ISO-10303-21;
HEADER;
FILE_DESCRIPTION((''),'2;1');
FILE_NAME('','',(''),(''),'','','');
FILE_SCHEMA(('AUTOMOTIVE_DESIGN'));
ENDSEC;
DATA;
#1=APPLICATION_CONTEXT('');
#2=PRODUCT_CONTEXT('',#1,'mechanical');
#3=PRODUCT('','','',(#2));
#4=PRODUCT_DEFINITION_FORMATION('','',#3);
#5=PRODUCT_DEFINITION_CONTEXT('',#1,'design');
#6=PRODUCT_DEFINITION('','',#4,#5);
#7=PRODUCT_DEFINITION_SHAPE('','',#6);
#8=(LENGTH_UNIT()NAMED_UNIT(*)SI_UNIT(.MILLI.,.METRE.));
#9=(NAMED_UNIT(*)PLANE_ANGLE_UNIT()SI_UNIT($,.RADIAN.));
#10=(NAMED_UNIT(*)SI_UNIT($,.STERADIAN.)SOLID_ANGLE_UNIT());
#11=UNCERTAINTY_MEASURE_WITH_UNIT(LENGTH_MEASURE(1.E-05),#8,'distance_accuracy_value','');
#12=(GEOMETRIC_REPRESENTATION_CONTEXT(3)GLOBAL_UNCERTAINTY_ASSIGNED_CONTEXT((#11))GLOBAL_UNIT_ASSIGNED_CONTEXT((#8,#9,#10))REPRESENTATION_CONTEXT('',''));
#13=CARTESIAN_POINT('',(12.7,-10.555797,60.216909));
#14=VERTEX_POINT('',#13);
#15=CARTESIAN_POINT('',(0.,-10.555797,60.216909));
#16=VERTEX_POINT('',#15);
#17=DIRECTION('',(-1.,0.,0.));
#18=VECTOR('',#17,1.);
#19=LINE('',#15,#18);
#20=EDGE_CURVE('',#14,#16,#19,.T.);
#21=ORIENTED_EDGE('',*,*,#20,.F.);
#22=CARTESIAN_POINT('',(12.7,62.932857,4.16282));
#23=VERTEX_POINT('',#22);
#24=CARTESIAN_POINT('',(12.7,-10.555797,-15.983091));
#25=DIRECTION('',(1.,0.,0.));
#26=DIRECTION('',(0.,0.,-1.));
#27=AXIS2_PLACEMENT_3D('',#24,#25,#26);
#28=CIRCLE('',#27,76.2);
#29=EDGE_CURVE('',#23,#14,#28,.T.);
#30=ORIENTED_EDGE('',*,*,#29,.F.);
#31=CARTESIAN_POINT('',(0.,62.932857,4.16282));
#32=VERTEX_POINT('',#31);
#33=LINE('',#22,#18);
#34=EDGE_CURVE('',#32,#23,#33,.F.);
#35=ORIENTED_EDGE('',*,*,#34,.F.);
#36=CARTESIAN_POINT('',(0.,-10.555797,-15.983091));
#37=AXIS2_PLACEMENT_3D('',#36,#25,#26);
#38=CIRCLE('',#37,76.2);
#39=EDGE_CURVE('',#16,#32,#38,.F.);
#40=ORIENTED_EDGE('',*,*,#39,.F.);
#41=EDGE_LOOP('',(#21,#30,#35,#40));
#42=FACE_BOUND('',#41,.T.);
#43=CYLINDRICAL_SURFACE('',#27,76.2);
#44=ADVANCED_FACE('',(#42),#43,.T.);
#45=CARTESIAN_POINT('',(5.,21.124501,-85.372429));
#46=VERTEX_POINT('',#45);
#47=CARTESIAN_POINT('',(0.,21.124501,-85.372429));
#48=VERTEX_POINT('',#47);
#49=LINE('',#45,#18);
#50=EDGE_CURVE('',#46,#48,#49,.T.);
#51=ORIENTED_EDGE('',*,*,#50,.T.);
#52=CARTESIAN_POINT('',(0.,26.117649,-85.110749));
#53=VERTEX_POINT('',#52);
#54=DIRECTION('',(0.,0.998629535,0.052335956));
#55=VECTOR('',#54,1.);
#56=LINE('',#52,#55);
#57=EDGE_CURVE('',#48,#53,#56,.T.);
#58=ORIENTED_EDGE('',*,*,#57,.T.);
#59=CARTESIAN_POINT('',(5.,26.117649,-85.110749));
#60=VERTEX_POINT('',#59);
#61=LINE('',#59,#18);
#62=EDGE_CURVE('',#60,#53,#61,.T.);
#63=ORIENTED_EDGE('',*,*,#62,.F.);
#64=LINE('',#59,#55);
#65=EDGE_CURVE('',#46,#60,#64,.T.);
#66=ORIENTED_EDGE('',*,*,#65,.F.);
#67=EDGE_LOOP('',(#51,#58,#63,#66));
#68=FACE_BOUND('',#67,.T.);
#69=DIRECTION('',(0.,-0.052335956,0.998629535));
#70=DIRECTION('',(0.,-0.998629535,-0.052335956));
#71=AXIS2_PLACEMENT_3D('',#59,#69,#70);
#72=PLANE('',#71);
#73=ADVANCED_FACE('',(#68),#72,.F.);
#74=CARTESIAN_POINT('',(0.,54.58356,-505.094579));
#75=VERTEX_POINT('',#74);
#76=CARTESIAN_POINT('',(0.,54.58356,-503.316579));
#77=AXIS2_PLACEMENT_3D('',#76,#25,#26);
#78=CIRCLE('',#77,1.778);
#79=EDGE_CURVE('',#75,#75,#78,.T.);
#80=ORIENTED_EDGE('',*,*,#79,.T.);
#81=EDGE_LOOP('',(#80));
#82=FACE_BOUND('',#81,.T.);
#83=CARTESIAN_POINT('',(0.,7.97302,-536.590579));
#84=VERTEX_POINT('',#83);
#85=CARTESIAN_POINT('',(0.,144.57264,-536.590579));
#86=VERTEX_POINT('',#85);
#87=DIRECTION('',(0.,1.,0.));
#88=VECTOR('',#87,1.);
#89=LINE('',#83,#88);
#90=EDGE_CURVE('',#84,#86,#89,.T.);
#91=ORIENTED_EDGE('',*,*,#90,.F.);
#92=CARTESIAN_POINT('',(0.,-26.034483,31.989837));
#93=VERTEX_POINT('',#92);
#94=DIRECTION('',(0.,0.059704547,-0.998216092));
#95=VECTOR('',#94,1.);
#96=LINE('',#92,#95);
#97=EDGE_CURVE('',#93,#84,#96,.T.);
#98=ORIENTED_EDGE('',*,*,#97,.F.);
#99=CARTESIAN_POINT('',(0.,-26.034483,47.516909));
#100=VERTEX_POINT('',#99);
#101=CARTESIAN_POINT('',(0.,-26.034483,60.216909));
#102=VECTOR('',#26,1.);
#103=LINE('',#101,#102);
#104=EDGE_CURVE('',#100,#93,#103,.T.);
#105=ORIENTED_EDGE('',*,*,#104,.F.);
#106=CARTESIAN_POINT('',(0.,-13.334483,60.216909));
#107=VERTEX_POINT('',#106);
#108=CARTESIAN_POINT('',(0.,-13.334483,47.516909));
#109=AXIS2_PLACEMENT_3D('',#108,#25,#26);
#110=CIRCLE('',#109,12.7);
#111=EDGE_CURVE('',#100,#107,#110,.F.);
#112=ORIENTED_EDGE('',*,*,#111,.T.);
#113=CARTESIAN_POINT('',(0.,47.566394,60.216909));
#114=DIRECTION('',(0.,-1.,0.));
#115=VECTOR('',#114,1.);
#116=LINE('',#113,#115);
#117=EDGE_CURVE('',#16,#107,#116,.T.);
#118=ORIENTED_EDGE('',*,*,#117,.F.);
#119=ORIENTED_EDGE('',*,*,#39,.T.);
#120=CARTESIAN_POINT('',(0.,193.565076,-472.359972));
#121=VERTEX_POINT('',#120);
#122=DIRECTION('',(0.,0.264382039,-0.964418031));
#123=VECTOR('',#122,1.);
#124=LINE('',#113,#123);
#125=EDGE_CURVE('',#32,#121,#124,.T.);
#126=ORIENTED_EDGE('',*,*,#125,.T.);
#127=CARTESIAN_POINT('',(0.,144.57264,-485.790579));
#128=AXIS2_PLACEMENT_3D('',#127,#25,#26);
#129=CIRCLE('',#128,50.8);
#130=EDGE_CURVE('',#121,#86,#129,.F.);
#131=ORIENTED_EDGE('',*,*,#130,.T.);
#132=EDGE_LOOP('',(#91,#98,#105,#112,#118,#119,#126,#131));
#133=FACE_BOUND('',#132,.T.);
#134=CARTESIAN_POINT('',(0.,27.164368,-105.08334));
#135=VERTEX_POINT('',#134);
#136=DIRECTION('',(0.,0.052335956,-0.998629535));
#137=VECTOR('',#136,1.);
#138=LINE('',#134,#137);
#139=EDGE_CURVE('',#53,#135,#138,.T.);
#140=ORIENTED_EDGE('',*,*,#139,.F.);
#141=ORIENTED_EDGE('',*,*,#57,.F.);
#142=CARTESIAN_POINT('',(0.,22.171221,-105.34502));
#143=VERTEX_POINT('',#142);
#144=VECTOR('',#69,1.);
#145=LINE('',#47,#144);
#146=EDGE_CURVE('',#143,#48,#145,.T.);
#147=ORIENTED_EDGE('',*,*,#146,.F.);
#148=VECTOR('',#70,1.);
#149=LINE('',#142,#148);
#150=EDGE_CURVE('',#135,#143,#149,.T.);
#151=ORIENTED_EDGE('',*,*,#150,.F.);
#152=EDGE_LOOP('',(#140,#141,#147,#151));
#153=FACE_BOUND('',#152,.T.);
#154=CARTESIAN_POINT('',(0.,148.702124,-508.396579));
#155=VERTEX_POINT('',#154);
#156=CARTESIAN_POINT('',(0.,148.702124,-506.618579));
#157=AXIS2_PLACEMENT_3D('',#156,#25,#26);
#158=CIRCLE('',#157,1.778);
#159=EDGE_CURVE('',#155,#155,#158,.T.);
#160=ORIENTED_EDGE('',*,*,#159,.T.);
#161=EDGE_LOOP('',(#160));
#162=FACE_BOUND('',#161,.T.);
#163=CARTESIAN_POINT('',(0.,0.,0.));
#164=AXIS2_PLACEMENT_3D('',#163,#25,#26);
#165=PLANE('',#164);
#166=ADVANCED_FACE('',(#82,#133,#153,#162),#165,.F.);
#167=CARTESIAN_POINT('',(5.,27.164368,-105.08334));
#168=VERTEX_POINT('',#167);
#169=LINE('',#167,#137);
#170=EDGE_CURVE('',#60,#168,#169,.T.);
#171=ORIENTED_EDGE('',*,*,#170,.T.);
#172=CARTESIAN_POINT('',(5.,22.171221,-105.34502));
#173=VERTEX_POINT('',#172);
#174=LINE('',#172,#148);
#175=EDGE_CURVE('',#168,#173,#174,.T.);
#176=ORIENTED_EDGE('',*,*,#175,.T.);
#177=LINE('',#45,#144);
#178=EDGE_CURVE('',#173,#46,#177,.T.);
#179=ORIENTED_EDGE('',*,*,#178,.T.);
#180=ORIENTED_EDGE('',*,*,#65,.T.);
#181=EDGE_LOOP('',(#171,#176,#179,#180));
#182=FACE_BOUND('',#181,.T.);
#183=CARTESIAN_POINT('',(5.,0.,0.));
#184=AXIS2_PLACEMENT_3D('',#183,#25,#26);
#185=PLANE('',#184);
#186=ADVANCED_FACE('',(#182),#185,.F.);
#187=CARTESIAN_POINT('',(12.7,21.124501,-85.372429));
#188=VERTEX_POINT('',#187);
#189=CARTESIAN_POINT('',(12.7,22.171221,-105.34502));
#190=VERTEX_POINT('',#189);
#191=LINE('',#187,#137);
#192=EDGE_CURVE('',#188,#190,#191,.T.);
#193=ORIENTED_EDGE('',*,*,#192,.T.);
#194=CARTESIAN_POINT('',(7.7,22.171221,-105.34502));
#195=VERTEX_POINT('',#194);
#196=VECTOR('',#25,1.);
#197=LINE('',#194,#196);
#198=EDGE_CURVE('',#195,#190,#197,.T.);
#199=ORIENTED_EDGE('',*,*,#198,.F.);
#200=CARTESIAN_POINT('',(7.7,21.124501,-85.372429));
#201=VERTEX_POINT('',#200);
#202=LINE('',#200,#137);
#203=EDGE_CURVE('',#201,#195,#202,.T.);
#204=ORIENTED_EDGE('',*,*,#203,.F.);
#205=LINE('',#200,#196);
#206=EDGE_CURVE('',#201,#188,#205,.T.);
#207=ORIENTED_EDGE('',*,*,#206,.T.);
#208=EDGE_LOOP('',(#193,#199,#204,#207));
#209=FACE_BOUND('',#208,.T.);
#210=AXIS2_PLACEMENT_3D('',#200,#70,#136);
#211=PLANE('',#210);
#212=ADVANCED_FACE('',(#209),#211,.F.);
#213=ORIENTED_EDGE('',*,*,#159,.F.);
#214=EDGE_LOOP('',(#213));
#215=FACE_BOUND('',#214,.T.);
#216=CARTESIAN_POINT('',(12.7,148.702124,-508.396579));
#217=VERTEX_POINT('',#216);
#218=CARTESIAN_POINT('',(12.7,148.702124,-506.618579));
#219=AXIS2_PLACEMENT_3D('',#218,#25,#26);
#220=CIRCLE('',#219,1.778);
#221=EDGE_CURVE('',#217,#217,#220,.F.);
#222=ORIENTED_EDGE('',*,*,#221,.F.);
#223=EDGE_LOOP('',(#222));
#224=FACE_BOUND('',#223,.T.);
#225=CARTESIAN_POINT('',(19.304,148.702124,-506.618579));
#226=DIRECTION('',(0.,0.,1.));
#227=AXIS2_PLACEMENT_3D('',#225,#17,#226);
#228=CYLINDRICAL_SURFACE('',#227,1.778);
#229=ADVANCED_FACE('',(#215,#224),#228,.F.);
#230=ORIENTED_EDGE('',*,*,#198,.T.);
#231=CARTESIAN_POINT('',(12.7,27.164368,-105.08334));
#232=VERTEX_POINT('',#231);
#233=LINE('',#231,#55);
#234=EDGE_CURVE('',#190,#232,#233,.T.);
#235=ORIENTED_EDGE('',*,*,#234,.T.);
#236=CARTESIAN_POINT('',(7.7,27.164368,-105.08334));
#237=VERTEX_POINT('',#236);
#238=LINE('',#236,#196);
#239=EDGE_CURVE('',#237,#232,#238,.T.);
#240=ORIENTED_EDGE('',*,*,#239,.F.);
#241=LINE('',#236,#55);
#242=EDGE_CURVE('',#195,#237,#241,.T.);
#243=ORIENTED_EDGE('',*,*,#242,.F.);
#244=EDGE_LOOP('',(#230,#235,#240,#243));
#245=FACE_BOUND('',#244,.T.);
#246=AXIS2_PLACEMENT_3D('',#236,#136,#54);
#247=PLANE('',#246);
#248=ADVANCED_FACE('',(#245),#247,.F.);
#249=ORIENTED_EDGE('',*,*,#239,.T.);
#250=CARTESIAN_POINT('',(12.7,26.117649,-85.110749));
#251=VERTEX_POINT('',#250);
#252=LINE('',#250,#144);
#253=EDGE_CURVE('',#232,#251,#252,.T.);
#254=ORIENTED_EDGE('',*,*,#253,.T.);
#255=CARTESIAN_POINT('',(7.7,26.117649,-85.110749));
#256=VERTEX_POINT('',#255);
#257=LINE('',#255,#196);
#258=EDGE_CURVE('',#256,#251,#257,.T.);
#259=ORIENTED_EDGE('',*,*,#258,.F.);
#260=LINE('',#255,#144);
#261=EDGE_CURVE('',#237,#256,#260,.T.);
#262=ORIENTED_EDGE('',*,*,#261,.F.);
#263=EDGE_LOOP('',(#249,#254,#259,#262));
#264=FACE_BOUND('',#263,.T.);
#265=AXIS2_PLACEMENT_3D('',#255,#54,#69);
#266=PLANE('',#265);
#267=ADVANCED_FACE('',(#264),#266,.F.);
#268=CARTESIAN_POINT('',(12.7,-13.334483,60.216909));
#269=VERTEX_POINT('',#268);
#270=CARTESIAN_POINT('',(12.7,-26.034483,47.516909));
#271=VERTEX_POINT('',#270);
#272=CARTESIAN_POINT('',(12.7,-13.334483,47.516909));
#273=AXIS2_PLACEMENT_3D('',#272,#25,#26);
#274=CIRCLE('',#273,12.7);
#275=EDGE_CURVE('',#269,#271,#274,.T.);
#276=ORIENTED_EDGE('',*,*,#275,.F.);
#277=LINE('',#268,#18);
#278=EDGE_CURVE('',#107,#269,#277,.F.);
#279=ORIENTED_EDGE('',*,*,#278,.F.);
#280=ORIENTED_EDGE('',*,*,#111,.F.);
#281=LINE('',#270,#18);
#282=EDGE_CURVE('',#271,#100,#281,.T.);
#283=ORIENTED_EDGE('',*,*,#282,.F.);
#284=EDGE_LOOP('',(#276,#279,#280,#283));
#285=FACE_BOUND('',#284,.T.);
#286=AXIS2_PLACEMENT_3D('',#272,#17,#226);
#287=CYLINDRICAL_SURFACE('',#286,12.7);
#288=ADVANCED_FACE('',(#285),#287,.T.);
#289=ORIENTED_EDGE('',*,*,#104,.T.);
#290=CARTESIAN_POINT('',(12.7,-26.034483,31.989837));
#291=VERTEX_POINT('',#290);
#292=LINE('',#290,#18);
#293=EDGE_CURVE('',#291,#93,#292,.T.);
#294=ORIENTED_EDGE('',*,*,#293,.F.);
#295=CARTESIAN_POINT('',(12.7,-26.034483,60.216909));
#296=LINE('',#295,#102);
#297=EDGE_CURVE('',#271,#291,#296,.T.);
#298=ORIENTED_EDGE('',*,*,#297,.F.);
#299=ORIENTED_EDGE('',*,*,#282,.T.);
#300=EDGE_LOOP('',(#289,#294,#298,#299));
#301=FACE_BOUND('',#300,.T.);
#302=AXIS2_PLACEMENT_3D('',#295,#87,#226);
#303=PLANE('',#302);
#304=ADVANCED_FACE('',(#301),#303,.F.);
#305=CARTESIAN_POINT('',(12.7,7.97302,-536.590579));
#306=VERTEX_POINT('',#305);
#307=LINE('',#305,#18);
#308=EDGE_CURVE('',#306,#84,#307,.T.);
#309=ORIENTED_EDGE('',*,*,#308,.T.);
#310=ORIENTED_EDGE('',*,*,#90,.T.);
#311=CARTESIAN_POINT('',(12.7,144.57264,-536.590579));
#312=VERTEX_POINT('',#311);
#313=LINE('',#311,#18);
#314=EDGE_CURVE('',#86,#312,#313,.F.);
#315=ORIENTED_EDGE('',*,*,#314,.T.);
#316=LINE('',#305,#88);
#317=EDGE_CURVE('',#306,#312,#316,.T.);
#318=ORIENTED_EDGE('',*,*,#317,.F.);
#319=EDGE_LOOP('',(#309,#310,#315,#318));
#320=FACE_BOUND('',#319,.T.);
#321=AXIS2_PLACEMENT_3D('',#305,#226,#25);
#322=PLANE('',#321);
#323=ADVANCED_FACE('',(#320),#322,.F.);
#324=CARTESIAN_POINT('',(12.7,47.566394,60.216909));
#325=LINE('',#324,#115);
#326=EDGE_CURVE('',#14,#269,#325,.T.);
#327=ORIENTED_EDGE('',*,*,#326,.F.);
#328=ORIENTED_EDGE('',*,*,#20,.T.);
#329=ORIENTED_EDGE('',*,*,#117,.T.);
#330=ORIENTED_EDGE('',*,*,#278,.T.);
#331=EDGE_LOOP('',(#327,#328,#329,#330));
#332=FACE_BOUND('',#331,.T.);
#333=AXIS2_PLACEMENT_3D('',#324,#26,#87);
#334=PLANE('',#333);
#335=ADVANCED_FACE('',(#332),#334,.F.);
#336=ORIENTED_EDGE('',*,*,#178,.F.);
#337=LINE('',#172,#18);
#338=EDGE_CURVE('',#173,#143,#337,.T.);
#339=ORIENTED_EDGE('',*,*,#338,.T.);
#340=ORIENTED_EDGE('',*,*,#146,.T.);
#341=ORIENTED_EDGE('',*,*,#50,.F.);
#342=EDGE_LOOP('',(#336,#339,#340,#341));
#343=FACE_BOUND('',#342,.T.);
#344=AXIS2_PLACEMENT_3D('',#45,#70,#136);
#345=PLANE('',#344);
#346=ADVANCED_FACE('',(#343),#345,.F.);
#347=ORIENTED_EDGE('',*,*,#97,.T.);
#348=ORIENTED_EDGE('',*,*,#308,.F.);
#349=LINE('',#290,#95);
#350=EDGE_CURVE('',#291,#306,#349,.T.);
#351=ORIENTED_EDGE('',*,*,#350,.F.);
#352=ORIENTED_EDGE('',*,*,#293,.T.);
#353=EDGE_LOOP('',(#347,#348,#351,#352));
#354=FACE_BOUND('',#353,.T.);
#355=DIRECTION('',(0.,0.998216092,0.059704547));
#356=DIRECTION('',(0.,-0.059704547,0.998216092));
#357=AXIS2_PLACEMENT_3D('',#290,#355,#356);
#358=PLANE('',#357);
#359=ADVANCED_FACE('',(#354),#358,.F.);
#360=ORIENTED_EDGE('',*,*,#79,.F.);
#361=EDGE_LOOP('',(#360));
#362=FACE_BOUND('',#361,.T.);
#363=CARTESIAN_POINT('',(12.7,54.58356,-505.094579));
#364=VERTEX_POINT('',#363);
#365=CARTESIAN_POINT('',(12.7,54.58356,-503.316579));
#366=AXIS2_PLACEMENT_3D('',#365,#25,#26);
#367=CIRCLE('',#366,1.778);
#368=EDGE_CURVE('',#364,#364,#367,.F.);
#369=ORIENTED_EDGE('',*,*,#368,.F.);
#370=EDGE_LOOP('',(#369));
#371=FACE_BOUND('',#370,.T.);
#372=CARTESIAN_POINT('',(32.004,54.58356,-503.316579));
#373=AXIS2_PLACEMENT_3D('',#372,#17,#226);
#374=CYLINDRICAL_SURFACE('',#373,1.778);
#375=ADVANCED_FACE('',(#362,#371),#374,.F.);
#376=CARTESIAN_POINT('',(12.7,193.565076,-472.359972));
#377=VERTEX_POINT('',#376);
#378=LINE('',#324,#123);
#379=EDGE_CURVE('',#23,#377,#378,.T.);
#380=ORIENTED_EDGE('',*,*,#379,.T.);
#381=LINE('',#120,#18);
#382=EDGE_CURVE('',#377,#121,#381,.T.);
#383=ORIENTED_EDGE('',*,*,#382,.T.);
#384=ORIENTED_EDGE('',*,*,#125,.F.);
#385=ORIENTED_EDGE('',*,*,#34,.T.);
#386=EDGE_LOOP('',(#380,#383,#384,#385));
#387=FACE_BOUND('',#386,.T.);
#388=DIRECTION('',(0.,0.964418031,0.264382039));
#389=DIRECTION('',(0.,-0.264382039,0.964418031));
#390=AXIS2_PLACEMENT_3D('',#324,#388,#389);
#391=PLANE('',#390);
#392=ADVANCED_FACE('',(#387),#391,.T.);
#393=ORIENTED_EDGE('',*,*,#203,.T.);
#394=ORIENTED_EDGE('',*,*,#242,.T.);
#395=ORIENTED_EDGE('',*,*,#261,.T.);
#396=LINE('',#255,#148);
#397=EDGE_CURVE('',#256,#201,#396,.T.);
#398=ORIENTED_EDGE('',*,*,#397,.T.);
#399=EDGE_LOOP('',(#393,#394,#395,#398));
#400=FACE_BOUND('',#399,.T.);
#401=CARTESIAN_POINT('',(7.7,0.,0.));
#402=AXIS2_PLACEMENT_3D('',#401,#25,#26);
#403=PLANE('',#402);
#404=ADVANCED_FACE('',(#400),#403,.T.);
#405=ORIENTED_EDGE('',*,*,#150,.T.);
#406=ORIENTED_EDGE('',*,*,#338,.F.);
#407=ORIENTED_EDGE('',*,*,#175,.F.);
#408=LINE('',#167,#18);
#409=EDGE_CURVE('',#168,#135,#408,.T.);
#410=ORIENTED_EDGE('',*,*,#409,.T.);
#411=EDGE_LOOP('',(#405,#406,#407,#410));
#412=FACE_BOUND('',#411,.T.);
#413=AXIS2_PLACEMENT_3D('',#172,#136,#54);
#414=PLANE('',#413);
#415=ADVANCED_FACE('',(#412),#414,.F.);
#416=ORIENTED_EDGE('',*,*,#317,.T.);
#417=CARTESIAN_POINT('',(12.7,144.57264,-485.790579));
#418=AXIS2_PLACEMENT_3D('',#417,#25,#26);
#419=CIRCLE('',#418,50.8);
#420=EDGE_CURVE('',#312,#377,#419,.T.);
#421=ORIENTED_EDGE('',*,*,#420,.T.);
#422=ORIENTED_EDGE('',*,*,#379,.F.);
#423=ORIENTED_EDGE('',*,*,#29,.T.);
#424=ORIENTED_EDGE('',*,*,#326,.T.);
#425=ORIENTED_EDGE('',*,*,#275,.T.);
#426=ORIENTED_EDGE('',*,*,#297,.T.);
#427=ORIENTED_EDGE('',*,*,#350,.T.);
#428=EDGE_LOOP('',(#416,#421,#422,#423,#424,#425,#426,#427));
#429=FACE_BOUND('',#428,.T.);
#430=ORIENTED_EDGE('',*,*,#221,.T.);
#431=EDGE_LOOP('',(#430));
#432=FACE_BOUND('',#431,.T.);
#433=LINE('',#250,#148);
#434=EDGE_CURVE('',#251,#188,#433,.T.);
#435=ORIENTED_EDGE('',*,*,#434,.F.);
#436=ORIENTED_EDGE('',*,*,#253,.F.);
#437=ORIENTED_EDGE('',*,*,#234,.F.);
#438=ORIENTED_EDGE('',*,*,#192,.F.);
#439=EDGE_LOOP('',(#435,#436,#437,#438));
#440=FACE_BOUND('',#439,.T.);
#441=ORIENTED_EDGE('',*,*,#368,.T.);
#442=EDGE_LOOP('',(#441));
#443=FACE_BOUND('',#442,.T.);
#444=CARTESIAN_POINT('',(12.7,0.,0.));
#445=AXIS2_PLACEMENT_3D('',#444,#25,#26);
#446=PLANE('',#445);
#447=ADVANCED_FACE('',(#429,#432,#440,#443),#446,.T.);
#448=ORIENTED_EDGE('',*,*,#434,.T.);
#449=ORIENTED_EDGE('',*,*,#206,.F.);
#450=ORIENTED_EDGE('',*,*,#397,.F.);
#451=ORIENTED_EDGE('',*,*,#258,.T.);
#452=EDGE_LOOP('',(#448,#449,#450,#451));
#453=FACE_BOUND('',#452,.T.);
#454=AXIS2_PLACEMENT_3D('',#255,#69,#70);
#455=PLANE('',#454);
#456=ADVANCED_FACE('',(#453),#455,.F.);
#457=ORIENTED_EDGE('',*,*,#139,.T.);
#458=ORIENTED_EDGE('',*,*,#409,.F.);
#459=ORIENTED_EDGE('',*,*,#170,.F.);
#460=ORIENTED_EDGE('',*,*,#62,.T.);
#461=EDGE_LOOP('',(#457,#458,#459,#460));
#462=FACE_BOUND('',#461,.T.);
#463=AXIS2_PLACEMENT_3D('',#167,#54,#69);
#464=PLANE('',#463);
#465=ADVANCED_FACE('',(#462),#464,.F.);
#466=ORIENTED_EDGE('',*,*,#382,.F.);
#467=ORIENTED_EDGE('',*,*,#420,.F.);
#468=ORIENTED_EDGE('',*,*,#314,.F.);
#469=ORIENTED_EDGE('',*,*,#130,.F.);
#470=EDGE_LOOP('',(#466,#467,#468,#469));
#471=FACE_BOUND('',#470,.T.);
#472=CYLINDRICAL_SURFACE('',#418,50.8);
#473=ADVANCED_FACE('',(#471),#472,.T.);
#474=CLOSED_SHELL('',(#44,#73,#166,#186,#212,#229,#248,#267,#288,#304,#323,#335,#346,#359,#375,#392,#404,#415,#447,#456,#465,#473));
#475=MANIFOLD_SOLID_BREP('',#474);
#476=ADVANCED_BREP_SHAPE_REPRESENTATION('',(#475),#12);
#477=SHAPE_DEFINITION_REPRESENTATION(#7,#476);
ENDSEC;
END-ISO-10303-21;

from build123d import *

# Parameters (mm, degrees)
BOSS_EXTRUDE1_DEPTH = 12.7
FILLET1_R           = 76.2
FILLET2_R           = 50.8
FILLET3_R           = 12.7
SKETCH1_3_R         = 1.778
CUT_EXTRUDE1_DEPTH  = 32.004
SKETCH1_5_R         = 1.778
CUT_EXTRUDE3_DEPTH  = 19.304
SKETCH2_W           = 20
SKETCH2_H           = 5
CUT_EXTRUDE4_DEPTH  = 5
CUT_EXTRUDE5_DEPTH  = 5


with BuildPart() as part:
    # Sketch1 → Boss-Extrude1 (new body)
    with BuildSketch(Plane(origin=(0, 0, 0), x_dir=(0, 0, -1), z_dir=(1, 0, 0))):
        Polygon((-60.216908745, 47.566393508), (-60.216908745, -26.034482759), (-31.989836752, -26.034482759), (536.590579473, 7.973019947), (536.590579473, 211.173019947), align=None)
    extrude(amount=BOSS_EXTRUDE1_DEPTH)

    # Fillet1
    fillet1_edges = [part.edges().sort_by_distance(p)[0] for p in [
        (6.35, 47.566393508, 60.216908745),
    ]]
    fillet(fillet1_edges, radius=FILLET1_R)

    # Fillet2
    fillet2_edges = [part.edges().sort_by_distance(p)[0] for p in [
        (6.35, 211.173019947, -536.590579473),
    ]]
    fillet(fillet2_edges, radius=FILLET2_R)

    # Fillet3
    fillet3_edges = [part.edges().sort_by_distance(p)[0] for p in [
        (6.35, -26.034482759, 60.216908745),
    ]]
    fillet(fillet3_edges, radius=FILLET3_R)

    # Sketch1<3> → Cut-Extrude1 (cut)
    with BuildSketch(Plane(origin=(0, 0, 0), x_dir=(0, 0, -1), z_dir=(1, 0, 0))):
        with Locations((503.316579473, 54.583559733)):
            Circle(SKETCH1_3_R)
    extrude(amount=CUT_EXTRUDE1_DEPTH, mode=Mode.SUBTRACT)

    # Sketch1<5> → Cut-Extrude3 (cut)
    with BuildSketch(Plane(origin=(0, 0, 0), x_dir=(0, 0, -1), z_dir=(1, 0, 0))):
        with Locations((506.618579473, 148.702123969)):
            Circle(SKETCH1_5_R)
    extrude(amount=CUT_EXTRUDE3_DEPTH, mode=Mode.SUBTRACT)

    # Sketch2 → Cut-Extrude4 (cut)
    with BuildSketch(Plane(origin=(12.7, -3.610856195, -1.673147661), x_dir=(0, 0.05233595624294395, -0.9986295347545739), z_dir=(1, 0, 0))):
        with Locations((94.879123185, 22.820976731)):
            Rectangle(SKETCH2_W, SKETCH2_H)
    extrude(amount=-CUT_EXTRUDE4_DEPTH, mode=Mode.SUBTRACT)

    # Sketch3 → Cut-Extrude5 (cut)
    with BuildSketch(Plane.ZY):
        Polygon((-85.110749427, 26.117649094), (-85.372429208, 21.12450142), (-105.345019904, 22.171220545), (-105.083340122, 27.164368219), align=None)
    extrude(amount=-CUT_EXTRUDE5_DEPTH, mode=Mode.SUBTRACT)


solid = part.part
